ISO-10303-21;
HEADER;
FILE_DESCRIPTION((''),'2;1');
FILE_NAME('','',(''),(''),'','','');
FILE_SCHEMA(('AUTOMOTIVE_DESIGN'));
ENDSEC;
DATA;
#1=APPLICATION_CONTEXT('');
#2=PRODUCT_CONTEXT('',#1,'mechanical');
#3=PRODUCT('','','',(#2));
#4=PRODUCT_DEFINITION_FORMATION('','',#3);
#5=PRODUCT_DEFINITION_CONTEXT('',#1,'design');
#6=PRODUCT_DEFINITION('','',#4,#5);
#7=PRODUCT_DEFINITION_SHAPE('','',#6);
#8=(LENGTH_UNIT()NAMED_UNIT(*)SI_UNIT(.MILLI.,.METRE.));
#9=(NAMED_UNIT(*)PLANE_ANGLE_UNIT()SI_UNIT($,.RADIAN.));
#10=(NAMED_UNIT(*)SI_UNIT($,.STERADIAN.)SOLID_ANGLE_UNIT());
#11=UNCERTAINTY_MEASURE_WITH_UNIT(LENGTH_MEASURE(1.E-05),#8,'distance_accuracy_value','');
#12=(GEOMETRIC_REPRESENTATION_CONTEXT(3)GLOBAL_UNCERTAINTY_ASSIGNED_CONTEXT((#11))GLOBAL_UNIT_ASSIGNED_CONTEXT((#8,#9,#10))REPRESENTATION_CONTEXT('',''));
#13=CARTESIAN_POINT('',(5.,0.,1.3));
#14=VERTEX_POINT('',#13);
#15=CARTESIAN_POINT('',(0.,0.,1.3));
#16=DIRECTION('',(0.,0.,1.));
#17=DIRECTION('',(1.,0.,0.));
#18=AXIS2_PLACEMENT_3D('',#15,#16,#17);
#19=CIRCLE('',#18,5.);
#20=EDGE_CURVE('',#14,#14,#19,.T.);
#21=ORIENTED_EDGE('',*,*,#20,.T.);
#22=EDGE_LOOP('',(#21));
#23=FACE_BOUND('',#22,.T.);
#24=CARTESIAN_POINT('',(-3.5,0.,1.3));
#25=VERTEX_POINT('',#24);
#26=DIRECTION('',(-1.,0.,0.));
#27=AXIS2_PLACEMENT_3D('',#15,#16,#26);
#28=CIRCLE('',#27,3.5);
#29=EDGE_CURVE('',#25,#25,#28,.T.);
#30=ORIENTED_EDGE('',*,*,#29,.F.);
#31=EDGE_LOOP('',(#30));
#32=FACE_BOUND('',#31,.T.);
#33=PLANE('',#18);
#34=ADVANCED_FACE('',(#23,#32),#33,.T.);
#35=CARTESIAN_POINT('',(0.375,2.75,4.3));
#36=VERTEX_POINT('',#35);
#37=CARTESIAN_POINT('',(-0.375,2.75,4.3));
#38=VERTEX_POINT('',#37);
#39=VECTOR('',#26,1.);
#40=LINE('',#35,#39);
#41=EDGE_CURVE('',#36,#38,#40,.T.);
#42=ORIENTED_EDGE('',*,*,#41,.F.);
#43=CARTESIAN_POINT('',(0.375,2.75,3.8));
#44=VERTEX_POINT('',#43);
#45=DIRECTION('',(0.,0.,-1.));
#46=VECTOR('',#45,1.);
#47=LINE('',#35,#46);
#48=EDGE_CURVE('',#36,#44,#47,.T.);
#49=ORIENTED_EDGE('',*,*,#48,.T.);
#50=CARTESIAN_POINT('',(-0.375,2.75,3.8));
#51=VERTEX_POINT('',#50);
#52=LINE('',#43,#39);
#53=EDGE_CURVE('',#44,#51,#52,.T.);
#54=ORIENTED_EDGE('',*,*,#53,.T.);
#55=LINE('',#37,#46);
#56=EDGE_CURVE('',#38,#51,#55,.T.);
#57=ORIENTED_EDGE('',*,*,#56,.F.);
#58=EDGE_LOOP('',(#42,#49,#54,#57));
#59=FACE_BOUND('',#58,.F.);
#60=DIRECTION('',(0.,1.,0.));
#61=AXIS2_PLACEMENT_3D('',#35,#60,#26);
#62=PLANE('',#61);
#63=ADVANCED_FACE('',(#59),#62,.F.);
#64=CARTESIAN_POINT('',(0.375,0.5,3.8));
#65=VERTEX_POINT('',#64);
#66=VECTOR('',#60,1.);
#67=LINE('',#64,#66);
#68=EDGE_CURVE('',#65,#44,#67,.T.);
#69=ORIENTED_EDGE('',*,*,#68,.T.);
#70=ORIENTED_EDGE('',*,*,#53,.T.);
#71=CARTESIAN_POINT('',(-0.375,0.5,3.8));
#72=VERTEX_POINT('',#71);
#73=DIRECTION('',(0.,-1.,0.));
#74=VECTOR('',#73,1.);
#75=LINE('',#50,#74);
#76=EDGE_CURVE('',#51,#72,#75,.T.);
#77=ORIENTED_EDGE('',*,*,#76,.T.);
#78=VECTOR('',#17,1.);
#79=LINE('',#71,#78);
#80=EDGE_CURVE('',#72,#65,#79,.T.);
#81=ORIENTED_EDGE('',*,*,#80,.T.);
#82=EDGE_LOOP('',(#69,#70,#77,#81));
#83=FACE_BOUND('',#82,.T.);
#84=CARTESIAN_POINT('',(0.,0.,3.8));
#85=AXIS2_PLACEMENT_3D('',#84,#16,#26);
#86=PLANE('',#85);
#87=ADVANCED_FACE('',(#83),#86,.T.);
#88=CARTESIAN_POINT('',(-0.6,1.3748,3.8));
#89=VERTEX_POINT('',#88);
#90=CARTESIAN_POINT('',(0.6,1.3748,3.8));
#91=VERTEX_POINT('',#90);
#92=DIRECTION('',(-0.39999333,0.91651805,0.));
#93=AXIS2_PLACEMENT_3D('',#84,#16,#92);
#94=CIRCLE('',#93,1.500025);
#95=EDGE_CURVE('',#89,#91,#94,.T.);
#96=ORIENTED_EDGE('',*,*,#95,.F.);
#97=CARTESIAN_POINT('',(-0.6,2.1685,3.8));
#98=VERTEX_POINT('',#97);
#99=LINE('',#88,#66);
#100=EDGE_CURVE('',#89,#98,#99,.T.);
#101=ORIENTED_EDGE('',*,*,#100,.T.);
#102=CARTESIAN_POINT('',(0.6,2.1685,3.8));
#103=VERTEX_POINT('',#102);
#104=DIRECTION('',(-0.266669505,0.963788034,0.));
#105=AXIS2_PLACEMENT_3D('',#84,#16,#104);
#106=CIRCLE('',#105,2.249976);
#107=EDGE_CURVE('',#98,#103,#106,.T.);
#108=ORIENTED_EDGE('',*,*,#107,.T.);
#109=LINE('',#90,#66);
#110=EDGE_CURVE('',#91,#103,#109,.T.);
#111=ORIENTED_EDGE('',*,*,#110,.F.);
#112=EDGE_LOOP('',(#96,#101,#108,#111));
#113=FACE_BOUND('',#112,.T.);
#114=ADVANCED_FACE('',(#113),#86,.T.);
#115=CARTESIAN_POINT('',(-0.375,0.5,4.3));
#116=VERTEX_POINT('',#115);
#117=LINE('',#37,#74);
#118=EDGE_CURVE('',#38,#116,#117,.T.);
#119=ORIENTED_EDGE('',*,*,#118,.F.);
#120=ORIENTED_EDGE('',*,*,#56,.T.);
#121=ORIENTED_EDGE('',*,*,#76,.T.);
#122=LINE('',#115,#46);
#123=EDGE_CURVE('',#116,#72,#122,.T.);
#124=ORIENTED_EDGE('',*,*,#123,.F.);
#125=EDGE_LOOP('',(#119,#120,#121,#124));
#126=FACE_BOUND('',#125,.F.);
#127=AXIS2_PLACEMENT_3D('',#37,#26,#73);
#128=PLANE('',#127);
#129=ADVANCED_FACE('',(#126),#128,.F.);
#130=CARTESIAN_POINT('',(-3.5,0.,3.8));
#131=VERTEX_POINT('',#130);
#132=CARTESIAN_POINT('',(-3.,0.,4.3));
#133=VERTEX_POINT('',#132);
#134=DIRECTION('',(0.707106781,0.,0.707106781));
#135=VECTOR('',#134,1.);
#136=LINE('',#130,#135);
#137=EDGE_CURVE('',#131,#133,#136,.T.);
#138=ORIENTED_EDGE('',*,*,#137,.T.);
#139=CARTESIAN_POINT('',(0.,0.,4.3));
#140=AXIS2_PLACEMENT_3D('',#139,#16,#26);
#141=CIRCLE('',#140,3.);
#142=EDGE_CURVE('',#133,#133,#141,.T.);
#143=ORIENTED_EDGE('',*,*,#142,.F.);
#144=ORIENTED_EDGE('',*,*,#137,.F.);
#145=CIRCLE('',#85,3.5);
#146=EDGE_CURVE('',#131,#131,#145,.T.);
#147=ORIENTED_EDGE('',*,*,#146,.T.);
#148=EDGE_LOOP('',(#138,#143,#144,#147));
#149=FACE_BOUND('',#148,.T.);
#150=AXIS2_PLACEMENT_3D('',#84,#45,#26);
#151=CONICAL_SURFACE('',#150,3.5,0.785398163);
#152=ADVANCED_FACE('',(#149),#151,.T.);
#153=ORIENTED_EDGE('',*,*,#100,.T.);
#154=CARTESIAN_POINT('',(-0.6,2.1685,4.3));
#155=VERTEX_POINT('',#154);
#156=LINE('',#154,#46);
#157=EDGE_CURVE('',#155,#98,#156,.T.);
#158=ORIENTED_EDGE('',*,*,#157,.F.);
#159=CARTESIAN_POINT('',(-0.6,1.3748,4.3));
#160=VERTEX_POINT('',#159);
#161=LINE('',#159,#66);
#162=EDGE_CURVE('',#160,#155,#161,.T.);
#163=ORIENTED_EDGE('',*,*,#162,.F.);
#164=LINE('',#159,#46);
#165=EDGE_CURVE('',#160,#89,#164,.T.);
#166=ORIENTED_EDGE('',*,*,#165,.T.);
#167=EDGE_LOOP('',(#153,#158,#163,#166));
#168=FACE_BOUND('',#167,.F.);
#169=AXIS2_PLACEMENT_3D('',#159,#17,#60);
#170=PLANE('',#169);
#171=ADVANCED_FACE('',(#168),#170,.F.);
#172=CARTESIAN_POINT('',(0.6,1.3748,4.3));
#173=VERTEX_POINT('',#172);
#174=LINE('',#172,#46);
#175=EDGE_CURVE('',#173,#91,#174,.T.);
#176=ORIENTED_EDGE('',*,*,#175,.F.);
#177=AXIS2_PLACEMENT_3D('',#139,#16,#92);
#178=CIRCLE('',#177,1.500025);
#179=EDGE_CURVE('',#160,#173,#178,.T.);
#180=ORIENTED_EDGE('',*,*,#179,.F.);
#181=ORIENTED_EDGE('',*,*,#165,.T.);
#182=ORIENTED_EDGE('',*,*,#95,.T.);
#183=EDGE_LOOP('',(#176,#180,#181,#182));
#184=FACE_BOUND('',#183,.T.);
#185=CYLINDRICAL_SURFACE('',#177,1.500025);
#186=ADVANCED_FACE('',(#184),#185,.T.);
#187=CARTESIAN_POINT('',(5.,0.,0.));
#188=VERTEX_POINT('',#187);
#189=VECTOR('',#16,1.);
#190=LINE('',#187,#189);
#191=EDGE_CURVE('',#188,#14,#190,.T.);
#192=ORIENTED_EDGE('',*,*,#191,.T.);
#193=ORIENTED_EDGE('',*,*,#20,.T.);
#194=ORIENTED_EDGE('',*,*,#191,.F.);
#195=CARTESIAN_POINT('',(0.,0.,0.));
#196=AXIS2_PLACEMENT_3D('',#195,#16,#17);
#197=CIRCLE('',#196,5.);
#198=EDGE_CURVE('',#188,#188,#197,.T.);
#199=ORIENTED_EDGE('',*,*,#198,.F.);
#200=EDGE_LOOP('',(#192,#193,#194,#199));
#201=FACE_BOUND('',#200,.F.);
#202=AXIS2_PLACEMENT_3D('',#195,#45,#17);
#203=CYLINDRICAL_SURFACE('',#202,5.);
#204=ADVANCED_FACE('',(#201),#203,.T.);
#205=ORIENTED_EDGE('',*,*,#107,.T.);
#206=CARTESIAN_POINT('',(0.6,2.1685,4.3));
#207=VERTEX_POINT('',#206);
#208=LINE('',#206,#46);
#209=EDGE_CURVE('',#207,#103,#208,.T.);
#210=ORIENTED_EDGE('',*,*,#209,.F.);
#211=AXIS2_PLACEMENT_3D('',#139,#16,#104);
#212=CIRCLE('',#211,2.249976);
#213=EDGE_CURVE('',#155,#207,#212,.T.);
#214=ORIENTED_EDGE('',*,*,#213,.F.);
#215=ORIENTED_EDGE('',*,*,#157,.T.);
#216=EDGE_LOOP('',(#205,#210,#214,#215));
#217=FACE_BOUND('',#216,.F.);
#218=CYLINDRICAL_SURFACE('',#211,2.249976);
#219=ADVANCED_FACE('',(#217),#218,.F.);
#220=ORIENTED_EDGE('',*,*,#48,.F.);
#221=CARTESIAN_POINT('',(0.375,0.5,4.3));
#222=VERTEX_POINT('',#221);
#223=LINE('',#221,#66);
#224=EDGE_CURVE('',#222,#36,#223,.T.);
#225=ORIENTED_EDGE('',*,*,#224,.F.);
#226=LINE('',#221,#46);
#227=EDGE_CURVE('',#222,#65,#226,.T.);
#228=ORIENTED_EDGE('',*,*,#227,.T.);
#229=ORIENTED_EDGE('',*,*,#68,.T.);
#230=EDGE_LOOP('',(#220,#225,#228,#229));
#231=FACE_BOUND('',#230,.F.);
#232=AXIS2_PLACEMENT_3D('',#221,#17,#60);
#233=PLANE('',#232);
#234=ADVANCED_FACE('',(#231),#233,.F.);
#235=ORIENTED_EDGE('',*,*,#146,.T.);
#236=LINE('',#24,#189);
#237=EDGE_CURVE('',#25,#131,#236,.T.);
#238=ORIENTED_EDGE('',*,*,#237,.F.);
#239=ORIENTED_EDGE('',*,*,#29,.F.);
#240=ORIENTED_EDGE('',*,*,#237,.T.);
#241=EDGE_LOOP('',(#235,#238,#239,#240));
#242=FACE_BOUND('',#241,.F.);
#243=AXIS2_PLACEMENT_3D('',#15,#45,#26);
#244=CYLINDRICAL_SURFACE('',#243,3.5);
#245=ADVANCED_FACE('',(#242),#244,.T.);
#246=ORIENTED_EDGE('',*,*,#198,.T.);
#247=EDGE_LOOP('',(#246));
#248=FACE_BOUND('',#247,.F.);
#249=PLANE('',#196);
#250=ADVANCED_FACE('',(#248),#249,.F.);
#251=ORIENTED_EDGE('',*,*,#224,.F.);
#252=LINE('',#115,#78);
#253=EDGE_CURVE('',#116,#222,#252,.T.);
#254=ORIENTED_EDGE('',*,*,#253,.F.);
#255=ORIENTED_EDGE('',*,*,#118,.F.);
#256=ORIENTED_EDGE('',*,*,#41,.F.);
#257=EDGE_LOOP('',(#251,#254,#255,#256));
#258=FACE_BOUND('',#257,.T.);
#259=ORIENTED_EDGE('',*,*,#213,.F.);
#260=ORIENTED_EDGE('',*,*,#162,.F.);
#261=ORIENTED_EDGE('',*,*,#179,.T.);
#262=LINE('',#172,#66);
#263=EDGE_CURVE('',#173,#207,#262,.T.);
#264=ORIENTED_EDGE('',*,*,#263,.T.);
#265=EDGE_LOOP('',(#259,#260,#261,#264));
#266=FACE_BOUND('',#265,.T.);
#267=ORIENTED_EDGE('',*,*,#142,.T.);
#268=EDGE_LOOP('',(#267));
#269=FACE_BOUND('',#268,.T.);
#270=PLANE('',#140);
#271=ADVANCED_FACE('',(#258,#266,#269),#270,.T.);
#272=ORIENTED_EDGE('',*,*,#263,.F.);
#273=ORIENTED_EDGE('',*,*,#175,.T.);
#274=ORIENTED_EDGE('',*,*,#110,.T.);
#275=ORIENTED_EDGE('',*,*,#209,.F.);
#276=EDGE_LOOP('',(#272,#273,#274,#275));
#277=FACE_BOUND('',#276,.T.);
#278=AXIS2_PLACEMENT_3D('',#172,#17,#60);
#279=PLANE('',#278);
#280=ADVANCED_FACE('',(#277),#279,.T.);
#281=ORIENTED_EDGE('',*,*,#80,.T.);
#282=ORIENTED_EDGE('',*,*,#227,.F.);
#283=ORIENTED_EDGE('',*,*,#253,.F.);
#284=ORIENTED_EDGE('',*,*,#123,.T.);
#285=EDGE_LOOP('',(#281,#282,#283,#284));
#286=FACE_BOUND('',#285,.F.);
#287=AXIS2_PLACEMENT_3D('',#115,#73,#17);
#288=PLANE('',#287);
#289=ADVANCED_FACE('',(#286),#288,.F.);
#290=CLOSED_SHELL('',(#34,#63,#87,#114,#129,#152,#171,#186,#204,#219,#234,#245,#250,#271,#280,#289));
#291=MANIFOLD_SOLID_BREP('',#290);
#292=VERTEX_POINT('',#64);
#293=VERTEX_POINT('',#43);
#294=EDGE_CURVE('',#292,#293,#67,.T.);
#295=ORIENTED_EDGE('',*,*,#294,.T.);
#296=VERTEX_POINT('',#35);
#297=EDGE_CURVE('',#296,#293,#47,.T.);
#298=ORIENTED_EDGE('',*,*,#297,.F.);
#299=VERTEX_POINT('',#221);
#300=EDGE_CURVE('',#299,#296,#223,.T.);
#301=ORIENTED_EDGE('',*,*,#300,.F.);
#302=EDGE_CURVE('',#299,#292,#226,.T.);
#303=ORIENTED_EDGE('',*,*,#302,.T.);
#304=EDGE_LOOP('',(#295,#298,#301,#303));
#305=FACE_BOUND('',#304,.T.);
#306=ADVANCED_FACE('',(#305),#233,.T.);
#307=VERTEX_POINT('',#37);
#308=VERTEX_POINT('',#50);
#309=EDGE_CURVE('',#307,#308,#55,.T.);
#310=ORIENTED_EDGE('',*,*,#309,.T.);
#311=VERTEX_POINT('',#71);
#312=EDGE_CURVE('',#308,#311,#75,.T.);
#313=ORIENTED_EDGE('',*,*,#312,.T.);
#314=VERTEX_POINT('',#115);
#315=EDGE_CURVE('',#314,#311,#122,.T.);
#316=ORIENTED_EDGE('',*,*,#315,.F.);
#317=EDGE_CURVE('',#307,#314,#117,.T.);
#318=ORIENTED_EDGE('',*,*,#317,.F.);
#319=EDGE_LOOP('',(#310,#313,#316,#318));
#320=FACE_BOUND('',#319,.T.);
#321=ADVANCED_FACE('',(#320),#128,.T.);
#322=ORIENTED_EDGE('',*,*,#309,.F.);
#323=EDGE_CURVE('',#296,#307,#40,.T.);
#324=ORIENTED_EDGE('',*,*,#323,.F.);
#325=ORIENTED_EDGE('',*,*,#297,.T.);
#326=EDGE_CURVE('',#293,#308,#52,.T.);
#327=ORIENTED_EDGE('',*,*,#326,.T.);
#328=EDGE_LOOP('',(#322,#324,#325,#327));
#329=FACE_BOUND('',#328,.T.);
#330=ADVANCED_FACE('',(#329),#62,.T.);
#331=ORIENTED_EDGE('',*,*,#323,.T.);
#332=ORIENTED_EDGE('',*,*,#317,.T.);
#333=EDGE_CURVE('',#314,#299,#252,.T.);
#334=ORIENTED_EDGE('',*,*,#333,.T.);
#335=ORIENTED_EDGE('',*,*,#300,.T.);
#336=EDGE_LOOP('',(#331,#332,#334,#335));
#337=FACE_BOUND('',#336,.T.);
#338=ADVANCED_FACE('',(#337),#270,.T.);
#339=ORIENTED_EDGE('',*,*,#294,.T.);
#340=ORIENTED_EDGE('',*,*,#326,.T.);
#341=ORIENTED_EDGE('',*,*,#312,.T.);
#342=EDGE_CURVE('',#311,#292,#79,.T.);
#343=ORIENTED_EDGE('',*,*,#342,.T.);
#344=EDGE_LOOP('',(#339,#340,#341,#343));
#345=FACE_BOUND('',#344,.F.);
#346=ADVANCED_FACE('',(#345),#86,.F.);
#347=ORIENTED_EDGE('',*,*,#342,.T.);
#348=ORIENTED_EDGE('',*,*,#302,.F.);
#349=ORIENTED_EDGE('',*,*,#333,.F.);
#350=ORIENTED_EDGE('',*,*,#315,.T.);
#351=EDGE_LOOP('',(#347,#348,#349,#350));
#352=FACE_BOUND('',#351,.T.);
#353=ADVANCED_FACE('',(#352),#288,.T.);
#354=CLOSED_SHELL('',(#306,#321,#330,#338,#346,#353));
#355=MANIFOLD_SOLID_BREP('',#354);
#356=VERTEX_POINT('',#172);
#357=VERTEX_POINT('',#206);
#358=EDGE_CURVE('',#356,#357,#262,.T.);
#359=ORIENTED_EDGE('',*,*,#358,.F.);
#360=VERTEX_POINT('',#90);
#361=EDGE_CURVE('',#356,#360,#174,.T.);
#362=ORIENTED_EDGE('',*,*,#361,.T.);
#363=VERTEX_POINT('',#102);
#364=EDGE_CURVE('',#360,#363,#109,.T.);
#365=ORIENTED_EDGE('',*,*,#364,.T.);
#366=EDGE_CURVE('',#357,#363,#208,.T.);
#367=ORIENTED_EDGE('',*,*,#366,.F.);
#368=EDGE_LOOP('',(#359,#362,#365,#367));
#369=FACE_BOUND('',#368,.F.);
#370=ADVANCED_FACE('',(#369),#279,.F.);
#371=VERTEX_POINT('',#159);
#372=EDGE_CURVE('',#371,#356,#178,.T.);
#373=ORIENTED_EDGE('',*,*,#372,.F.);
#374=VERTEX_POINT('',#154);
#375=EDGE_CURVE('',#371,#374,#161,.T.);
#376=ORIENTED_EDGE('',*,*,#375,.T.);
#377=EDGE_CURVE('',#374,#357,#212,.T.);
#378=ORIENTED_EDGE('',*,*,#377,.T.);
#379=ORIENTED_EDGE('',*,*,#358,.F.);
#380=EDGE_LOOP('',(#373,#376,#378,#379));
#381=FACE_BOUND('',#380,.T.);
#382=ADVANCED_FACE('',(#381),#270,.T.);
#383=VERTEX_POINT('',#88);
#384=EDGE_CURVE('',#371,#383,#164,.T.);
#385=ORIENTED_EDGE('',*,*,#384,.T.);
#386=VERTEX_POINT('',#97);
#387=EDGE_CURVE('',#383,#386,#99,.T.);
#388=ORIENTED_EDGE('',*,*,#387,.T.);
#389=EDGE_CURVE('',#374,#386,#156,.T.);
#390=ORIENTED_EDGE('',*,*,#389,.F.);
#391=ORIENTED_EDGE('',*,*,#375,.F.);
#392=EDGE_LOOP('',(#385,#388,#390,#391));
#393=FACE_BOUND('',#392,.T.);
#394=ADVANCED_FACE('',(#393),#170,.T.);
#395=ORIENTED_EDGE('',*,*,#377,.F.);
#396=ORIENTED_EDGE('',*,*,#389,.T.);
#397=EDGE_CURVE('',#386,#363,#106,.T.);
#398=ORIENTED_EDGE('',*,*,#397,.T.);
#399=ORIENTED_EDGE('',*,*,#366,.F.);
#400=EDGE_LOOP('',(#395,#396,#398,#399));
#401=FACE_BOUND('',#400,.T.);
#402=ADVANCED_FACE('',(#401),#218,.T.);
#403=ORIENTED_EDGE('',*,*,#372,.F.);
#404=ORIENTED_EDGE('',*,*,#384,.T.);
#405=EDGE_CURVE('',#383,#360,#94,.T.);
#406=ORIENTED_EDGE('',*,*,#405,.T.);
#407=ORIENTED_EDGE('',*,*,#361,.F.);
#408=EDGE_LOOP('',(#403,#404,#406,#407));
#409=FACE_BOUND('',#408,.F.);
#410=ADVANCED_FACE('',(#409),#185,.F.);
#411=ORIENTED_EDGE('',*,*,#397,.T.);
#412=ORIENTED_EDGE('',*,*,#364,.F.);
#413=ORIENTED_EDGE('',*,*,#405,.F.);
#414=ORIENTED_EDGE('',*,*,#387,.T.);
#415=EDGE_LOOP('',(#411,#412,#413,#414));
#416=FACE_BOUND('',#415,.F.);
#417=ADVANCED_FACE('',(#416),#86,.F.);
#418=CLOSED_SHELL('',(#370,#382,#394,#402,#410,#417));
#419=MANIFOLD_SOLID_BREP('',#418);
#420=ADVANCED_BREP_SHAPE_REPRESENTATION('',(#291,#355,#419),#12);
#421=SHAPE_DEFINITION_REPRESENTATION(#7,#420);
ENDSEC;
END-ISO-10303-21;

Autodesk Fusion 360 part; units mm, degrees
sketch "Sketch1" plane through (0, 0, 0) normal (0, 0, 1) x (1, 0, 0)
  circle A0 centre (0, 0) radius 5
  dimension "d1" = 10
extrude "Extrude1" add sketch "Sketch1" along normal blind 1.3 makes body 1
sketch "Sketch2" plane through (0, 0, 1.3) normal (0, 0, 1) x (-1, 0, 0)
  circle A0 centre (0, 0) radius 5
  circle A1 centre (0, 0) radius 3.5
  dimension "d4" = 7
extrude "Extrude2" add sketch "Sketch2" along normal blind 3 contours A1 bodies 1
chamfer "Chamfer1" distance 0.5 angle 45 1 edges at (3.2631, 1.2657, 4.3) on bodies 1
sketch "Sketch3" plane through (0, 0, 4.3) normal (0, 0, 1) x (-1, 0, 0)
  circle A0 centre (0, 0) radius 3
  line L0 (-0.6, -1.3748) -> (-0.6, -2.1685)
  line L1 (0.6, -1.3748) -> (0.6, -2.1685)
  arc A1 (0.6, -1.3748) -> (-0.6, -1.3748) centre (0, 0) ccw
  arc A2 (0.6, -2.1685) -> (-0.6, -2.1685) centre (0, 0) ccw
  line L2 (0.375, -0.5) -> (-0.375, -0.5)
  line L3 (-0.375, -0.5) -> (-0.375, -2.75)
  line L4 (-0.375, -2.75) -> (0.375, -2.75)
  line L5 (0.375, -2.75) -> (0.375, -0.5)
  line L6 (0, 0) -> (0, -1) construction
  point P0 (0.6, -1)
  point P1 (-0.6, -1)
  dimension "d8" = 4.5
  dimension "d9" = 3
  dimension "d10" = 0.75
  dimension "d11" = 2.25
extrude "Extrude3" add sketch "Sketch3" against normal blind 0.5 separate body contours L0 L1 A1 A2 | L2 L3 L4 L5 makes body 2 at (0.7039, 1.8668, 4.3) makes body 3 at (0.125, 1.25, 4.3)
combine "Combine1" operation cut target body 1 tool bodies 2 3 keep tools
